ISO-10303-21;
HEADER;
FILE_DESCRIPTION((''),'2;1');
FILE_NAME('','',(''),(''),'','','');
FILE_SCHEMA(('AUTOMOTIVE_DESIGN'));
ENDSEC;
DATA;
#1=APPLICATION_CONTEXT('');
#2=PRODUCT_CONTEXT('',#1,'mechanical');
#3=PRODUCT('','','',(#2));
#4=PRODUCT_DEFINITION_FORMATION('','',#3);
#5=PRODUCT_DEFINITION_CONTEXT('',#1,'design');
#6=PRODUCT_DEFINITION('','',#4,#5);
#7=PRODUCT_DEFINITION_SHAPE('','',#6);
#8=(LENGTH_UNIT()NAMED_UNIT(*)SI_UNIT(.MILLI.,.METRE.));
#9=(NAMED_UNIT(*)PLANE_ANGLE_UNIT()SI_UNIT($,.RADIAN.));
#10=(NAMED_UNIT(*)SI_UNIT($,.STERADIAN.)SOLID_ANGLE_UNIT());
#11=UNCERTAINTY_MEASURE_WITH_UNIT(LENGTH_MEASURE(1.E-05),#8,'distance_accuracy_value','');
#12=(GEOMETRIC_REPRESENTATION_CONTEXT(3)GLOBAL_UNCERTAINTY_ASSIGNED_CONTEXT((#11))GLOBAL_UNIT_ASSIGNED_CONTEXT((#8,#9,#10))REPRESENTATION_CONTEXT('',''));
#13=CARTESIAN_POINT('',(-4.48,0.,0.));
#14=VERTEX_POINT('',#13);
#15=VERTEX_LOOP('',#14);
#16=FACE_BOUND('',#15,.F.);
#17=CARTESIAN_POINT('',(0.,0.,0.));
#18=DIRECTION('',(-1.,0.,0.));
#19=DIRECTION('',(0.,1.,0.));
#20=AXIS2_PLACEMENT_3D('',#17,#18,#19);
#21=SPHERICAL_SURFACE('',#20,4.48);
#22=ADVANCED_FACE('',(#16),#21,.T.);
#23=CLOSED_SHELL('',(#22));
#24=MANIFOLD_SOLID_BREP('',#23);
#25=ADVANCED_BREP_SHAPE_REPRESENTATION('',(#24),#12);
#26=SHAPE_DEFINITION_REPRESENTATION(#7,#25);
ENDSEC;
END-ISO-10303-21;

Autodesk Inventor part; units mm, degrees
sketch "Sketch_1" plane through (0, 0, 0) normal (0, 0, 1) x (1, 0, 0)
  line L0 (4.48, 0) -> (-4.48, 0)
  arc A0 (4.48, 0) -> (-4.48, 0) centre (0, 0) ccw
  line L1 (4.48, 0) -> (-4.48, 0)
revolve "Revolution1" add sketch "Sketch_1" angle 360 about axis through (4.48, 0, 0) along (1, 0, 0)
ref_plane "tb_sdt_b_XY" through (0, 0, 0) normal (1, 0, 0) x (0, 0, -1)
ref_plane "tb_sdt_b_YZ" through (0, 0, 0) normal (0, 0, -1) x (0, 1, 0)
ref_plane "tb_sdt_b_ZX" through (0, 0, 0) normal (0, 1, 0) x (1, 0, 0)
properties part number "51111 Ball"
